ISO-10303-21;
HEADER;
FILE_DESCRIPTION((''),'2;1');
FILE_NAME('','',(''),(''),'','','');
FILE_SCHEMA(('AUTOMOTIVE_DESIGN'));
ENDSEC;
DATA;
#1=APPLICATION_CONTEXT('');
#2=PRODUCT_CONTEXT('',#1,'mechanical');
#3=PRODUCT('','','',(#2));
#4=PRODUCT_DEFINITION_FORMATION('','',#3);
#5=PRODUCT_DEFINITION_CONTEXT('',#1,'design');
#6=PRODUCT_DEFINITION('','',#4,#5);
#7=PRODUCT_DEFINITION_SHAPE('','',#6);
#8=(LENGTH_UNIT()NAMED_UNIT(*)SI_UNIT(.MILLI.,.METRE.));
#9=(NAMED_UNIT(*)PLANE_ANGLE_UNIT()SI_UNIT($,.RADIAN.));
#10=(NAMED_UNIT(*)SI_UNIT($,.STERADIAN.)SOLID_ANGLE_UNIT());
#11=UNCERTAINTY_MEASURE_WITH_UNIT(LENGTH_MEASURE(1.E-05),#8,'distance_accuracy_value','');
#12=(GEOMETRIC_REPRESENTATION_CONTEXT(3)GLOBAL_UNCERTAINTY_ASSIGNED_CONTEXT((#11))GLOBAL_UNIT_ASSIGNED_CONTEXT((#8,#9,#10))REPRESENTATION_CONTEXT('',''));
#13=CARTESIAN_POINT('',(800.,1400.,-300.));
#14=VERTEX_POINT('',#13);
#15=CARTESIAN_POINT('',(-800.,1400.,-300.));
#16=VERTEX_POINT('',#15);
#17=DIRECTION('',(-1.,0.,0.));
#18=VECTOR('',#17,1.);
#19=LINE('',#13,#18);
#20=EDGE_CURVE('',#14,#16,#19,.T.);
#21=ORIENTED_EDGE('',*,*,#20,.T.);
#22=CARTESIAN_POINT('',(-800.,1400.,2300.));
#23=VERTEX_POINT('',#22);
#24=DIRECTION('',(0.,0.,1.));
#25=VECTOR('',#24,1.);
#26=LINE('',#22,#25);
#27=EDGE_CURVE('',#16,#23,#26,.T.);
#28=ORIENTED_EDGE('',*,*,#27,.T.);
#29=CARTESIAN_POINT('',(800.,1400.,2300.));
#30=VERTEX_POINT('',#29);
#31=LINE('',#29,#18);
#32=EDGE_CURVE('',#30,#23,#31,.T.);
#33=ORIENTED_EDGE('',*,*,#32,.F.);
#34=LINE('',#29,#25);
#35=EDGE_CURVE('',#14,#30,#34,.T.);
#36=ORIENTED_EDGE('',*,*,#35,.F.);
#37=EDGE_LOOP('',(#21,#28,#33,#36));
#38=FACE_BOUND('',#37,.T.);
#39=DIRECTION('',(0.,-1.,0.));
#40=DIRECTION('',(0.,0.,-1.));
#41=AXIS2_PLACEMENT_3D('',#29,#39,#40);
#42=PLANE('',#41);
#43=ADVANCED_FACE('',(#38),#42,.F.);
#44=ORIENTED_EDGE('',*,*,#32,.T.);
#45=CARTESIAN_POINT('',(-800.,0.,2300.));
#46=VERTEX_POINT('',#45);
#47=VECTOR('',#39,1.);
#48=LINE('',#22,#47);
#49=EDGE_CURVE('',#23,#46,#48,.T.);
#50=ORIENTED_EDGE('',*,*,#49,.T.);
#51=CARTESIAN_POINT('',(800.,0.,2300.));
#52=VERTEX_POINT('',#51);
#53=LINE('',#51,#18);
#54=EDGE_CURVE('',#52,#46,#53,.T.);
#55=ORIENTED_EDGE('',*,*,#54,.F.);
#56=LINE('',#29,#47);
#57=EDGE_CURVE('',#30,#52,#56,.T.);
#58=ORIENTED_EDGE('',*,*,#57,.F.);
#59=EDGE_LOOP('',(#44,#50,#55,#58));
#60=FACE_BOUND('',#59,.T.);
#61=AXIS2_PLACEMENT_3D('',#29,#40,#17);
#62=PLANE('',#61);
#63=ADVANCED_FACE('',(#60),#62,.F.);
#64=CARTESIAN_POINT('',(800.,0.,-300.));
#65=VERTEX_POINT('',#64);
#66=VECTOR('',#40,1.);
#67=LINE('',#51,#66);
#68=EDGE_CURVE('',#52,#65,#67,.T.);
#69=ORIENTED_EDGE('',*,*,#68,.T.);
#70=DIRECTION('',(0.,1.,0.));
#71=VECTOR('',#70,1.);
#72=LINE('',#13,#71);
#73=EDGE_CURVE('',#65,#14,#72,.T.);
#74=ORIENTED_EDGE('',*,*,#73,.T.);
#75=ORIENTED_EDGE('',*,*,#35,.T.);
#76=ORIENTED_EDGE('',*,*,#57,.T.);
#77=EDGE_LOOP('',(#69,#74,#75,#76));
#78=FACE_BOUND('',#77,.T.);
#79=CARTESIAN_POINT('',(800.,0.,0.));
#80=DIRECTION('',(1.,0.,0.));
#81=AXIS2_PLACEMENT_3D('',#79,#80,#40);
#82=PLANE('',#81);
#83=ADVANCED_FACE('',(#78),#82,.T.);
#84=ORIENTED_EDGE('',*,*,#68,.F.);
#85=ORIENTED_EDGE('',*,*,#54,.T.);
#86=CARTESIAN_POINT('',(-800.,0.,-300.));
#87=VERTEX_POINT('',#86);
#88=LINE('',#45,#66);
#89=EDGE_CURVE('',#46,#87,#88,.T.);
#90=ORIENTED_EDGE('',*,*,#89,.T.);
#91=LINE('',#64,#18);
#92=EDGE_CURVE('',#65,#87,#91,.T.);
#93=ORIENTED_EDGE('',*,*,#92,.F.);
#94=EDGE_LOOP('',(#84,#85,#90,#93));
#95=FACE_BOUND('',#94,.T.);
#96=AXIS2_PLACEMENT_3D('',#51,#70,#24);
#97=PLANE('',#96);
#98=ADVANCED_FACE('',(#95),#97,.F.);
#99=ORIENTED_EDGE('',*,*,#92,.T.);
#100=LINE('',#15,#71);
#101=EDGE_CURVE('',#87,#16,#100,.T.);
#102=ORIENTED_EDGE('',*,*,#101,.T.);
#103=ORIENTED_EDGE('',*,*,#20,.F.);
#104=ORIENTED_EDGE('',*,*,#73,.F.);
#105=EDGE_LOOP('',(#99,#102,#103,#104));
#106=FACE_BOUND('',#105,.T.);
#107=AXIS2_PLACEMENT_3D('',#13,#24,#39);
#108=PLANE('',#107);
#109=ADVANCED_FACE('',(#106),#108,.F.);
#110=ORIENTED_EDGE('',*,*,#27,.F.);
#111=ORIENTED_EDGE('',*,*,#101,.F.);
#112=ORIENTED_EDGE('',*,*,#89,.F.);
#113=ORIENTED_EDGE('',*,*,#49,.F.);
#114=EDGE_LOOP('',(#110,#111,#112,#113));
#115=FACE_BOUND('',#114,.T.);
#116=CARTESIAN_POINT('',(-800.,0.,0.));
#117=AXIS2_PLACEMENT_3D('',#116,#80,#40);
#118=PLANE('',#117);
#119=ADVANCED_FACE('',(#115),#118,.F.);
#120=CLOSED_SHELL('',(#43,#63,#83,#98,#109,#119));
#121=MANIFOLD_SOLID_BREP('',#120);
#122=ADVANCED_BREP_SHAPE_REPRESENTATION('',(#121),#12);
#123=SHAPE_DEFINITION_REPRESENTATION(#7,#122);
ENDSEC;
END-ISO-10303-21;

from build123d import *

# Parameters (mm, degrees)
SKETCH1_W           = 2600
SKETCH1_H           = 1400
BOSS_EXTRUDE1_DEPTH = 800


with BuildPart() as part:
    # Sketch1 → Boss-Extrude1 (new, symmetric)
    with BuildSketch(Plane(origin=(0, 0, 0), x_dir=(0, 0, -1), z_dir=(1, 0, 0))):
        with Locations((-1000, 700)):
            Rectangle(SKETCH1_W, SKETCH1_H)
    extrude(amount=BOSS_EXTRUDE1_DEPTH, both=True)


solid = part.part
